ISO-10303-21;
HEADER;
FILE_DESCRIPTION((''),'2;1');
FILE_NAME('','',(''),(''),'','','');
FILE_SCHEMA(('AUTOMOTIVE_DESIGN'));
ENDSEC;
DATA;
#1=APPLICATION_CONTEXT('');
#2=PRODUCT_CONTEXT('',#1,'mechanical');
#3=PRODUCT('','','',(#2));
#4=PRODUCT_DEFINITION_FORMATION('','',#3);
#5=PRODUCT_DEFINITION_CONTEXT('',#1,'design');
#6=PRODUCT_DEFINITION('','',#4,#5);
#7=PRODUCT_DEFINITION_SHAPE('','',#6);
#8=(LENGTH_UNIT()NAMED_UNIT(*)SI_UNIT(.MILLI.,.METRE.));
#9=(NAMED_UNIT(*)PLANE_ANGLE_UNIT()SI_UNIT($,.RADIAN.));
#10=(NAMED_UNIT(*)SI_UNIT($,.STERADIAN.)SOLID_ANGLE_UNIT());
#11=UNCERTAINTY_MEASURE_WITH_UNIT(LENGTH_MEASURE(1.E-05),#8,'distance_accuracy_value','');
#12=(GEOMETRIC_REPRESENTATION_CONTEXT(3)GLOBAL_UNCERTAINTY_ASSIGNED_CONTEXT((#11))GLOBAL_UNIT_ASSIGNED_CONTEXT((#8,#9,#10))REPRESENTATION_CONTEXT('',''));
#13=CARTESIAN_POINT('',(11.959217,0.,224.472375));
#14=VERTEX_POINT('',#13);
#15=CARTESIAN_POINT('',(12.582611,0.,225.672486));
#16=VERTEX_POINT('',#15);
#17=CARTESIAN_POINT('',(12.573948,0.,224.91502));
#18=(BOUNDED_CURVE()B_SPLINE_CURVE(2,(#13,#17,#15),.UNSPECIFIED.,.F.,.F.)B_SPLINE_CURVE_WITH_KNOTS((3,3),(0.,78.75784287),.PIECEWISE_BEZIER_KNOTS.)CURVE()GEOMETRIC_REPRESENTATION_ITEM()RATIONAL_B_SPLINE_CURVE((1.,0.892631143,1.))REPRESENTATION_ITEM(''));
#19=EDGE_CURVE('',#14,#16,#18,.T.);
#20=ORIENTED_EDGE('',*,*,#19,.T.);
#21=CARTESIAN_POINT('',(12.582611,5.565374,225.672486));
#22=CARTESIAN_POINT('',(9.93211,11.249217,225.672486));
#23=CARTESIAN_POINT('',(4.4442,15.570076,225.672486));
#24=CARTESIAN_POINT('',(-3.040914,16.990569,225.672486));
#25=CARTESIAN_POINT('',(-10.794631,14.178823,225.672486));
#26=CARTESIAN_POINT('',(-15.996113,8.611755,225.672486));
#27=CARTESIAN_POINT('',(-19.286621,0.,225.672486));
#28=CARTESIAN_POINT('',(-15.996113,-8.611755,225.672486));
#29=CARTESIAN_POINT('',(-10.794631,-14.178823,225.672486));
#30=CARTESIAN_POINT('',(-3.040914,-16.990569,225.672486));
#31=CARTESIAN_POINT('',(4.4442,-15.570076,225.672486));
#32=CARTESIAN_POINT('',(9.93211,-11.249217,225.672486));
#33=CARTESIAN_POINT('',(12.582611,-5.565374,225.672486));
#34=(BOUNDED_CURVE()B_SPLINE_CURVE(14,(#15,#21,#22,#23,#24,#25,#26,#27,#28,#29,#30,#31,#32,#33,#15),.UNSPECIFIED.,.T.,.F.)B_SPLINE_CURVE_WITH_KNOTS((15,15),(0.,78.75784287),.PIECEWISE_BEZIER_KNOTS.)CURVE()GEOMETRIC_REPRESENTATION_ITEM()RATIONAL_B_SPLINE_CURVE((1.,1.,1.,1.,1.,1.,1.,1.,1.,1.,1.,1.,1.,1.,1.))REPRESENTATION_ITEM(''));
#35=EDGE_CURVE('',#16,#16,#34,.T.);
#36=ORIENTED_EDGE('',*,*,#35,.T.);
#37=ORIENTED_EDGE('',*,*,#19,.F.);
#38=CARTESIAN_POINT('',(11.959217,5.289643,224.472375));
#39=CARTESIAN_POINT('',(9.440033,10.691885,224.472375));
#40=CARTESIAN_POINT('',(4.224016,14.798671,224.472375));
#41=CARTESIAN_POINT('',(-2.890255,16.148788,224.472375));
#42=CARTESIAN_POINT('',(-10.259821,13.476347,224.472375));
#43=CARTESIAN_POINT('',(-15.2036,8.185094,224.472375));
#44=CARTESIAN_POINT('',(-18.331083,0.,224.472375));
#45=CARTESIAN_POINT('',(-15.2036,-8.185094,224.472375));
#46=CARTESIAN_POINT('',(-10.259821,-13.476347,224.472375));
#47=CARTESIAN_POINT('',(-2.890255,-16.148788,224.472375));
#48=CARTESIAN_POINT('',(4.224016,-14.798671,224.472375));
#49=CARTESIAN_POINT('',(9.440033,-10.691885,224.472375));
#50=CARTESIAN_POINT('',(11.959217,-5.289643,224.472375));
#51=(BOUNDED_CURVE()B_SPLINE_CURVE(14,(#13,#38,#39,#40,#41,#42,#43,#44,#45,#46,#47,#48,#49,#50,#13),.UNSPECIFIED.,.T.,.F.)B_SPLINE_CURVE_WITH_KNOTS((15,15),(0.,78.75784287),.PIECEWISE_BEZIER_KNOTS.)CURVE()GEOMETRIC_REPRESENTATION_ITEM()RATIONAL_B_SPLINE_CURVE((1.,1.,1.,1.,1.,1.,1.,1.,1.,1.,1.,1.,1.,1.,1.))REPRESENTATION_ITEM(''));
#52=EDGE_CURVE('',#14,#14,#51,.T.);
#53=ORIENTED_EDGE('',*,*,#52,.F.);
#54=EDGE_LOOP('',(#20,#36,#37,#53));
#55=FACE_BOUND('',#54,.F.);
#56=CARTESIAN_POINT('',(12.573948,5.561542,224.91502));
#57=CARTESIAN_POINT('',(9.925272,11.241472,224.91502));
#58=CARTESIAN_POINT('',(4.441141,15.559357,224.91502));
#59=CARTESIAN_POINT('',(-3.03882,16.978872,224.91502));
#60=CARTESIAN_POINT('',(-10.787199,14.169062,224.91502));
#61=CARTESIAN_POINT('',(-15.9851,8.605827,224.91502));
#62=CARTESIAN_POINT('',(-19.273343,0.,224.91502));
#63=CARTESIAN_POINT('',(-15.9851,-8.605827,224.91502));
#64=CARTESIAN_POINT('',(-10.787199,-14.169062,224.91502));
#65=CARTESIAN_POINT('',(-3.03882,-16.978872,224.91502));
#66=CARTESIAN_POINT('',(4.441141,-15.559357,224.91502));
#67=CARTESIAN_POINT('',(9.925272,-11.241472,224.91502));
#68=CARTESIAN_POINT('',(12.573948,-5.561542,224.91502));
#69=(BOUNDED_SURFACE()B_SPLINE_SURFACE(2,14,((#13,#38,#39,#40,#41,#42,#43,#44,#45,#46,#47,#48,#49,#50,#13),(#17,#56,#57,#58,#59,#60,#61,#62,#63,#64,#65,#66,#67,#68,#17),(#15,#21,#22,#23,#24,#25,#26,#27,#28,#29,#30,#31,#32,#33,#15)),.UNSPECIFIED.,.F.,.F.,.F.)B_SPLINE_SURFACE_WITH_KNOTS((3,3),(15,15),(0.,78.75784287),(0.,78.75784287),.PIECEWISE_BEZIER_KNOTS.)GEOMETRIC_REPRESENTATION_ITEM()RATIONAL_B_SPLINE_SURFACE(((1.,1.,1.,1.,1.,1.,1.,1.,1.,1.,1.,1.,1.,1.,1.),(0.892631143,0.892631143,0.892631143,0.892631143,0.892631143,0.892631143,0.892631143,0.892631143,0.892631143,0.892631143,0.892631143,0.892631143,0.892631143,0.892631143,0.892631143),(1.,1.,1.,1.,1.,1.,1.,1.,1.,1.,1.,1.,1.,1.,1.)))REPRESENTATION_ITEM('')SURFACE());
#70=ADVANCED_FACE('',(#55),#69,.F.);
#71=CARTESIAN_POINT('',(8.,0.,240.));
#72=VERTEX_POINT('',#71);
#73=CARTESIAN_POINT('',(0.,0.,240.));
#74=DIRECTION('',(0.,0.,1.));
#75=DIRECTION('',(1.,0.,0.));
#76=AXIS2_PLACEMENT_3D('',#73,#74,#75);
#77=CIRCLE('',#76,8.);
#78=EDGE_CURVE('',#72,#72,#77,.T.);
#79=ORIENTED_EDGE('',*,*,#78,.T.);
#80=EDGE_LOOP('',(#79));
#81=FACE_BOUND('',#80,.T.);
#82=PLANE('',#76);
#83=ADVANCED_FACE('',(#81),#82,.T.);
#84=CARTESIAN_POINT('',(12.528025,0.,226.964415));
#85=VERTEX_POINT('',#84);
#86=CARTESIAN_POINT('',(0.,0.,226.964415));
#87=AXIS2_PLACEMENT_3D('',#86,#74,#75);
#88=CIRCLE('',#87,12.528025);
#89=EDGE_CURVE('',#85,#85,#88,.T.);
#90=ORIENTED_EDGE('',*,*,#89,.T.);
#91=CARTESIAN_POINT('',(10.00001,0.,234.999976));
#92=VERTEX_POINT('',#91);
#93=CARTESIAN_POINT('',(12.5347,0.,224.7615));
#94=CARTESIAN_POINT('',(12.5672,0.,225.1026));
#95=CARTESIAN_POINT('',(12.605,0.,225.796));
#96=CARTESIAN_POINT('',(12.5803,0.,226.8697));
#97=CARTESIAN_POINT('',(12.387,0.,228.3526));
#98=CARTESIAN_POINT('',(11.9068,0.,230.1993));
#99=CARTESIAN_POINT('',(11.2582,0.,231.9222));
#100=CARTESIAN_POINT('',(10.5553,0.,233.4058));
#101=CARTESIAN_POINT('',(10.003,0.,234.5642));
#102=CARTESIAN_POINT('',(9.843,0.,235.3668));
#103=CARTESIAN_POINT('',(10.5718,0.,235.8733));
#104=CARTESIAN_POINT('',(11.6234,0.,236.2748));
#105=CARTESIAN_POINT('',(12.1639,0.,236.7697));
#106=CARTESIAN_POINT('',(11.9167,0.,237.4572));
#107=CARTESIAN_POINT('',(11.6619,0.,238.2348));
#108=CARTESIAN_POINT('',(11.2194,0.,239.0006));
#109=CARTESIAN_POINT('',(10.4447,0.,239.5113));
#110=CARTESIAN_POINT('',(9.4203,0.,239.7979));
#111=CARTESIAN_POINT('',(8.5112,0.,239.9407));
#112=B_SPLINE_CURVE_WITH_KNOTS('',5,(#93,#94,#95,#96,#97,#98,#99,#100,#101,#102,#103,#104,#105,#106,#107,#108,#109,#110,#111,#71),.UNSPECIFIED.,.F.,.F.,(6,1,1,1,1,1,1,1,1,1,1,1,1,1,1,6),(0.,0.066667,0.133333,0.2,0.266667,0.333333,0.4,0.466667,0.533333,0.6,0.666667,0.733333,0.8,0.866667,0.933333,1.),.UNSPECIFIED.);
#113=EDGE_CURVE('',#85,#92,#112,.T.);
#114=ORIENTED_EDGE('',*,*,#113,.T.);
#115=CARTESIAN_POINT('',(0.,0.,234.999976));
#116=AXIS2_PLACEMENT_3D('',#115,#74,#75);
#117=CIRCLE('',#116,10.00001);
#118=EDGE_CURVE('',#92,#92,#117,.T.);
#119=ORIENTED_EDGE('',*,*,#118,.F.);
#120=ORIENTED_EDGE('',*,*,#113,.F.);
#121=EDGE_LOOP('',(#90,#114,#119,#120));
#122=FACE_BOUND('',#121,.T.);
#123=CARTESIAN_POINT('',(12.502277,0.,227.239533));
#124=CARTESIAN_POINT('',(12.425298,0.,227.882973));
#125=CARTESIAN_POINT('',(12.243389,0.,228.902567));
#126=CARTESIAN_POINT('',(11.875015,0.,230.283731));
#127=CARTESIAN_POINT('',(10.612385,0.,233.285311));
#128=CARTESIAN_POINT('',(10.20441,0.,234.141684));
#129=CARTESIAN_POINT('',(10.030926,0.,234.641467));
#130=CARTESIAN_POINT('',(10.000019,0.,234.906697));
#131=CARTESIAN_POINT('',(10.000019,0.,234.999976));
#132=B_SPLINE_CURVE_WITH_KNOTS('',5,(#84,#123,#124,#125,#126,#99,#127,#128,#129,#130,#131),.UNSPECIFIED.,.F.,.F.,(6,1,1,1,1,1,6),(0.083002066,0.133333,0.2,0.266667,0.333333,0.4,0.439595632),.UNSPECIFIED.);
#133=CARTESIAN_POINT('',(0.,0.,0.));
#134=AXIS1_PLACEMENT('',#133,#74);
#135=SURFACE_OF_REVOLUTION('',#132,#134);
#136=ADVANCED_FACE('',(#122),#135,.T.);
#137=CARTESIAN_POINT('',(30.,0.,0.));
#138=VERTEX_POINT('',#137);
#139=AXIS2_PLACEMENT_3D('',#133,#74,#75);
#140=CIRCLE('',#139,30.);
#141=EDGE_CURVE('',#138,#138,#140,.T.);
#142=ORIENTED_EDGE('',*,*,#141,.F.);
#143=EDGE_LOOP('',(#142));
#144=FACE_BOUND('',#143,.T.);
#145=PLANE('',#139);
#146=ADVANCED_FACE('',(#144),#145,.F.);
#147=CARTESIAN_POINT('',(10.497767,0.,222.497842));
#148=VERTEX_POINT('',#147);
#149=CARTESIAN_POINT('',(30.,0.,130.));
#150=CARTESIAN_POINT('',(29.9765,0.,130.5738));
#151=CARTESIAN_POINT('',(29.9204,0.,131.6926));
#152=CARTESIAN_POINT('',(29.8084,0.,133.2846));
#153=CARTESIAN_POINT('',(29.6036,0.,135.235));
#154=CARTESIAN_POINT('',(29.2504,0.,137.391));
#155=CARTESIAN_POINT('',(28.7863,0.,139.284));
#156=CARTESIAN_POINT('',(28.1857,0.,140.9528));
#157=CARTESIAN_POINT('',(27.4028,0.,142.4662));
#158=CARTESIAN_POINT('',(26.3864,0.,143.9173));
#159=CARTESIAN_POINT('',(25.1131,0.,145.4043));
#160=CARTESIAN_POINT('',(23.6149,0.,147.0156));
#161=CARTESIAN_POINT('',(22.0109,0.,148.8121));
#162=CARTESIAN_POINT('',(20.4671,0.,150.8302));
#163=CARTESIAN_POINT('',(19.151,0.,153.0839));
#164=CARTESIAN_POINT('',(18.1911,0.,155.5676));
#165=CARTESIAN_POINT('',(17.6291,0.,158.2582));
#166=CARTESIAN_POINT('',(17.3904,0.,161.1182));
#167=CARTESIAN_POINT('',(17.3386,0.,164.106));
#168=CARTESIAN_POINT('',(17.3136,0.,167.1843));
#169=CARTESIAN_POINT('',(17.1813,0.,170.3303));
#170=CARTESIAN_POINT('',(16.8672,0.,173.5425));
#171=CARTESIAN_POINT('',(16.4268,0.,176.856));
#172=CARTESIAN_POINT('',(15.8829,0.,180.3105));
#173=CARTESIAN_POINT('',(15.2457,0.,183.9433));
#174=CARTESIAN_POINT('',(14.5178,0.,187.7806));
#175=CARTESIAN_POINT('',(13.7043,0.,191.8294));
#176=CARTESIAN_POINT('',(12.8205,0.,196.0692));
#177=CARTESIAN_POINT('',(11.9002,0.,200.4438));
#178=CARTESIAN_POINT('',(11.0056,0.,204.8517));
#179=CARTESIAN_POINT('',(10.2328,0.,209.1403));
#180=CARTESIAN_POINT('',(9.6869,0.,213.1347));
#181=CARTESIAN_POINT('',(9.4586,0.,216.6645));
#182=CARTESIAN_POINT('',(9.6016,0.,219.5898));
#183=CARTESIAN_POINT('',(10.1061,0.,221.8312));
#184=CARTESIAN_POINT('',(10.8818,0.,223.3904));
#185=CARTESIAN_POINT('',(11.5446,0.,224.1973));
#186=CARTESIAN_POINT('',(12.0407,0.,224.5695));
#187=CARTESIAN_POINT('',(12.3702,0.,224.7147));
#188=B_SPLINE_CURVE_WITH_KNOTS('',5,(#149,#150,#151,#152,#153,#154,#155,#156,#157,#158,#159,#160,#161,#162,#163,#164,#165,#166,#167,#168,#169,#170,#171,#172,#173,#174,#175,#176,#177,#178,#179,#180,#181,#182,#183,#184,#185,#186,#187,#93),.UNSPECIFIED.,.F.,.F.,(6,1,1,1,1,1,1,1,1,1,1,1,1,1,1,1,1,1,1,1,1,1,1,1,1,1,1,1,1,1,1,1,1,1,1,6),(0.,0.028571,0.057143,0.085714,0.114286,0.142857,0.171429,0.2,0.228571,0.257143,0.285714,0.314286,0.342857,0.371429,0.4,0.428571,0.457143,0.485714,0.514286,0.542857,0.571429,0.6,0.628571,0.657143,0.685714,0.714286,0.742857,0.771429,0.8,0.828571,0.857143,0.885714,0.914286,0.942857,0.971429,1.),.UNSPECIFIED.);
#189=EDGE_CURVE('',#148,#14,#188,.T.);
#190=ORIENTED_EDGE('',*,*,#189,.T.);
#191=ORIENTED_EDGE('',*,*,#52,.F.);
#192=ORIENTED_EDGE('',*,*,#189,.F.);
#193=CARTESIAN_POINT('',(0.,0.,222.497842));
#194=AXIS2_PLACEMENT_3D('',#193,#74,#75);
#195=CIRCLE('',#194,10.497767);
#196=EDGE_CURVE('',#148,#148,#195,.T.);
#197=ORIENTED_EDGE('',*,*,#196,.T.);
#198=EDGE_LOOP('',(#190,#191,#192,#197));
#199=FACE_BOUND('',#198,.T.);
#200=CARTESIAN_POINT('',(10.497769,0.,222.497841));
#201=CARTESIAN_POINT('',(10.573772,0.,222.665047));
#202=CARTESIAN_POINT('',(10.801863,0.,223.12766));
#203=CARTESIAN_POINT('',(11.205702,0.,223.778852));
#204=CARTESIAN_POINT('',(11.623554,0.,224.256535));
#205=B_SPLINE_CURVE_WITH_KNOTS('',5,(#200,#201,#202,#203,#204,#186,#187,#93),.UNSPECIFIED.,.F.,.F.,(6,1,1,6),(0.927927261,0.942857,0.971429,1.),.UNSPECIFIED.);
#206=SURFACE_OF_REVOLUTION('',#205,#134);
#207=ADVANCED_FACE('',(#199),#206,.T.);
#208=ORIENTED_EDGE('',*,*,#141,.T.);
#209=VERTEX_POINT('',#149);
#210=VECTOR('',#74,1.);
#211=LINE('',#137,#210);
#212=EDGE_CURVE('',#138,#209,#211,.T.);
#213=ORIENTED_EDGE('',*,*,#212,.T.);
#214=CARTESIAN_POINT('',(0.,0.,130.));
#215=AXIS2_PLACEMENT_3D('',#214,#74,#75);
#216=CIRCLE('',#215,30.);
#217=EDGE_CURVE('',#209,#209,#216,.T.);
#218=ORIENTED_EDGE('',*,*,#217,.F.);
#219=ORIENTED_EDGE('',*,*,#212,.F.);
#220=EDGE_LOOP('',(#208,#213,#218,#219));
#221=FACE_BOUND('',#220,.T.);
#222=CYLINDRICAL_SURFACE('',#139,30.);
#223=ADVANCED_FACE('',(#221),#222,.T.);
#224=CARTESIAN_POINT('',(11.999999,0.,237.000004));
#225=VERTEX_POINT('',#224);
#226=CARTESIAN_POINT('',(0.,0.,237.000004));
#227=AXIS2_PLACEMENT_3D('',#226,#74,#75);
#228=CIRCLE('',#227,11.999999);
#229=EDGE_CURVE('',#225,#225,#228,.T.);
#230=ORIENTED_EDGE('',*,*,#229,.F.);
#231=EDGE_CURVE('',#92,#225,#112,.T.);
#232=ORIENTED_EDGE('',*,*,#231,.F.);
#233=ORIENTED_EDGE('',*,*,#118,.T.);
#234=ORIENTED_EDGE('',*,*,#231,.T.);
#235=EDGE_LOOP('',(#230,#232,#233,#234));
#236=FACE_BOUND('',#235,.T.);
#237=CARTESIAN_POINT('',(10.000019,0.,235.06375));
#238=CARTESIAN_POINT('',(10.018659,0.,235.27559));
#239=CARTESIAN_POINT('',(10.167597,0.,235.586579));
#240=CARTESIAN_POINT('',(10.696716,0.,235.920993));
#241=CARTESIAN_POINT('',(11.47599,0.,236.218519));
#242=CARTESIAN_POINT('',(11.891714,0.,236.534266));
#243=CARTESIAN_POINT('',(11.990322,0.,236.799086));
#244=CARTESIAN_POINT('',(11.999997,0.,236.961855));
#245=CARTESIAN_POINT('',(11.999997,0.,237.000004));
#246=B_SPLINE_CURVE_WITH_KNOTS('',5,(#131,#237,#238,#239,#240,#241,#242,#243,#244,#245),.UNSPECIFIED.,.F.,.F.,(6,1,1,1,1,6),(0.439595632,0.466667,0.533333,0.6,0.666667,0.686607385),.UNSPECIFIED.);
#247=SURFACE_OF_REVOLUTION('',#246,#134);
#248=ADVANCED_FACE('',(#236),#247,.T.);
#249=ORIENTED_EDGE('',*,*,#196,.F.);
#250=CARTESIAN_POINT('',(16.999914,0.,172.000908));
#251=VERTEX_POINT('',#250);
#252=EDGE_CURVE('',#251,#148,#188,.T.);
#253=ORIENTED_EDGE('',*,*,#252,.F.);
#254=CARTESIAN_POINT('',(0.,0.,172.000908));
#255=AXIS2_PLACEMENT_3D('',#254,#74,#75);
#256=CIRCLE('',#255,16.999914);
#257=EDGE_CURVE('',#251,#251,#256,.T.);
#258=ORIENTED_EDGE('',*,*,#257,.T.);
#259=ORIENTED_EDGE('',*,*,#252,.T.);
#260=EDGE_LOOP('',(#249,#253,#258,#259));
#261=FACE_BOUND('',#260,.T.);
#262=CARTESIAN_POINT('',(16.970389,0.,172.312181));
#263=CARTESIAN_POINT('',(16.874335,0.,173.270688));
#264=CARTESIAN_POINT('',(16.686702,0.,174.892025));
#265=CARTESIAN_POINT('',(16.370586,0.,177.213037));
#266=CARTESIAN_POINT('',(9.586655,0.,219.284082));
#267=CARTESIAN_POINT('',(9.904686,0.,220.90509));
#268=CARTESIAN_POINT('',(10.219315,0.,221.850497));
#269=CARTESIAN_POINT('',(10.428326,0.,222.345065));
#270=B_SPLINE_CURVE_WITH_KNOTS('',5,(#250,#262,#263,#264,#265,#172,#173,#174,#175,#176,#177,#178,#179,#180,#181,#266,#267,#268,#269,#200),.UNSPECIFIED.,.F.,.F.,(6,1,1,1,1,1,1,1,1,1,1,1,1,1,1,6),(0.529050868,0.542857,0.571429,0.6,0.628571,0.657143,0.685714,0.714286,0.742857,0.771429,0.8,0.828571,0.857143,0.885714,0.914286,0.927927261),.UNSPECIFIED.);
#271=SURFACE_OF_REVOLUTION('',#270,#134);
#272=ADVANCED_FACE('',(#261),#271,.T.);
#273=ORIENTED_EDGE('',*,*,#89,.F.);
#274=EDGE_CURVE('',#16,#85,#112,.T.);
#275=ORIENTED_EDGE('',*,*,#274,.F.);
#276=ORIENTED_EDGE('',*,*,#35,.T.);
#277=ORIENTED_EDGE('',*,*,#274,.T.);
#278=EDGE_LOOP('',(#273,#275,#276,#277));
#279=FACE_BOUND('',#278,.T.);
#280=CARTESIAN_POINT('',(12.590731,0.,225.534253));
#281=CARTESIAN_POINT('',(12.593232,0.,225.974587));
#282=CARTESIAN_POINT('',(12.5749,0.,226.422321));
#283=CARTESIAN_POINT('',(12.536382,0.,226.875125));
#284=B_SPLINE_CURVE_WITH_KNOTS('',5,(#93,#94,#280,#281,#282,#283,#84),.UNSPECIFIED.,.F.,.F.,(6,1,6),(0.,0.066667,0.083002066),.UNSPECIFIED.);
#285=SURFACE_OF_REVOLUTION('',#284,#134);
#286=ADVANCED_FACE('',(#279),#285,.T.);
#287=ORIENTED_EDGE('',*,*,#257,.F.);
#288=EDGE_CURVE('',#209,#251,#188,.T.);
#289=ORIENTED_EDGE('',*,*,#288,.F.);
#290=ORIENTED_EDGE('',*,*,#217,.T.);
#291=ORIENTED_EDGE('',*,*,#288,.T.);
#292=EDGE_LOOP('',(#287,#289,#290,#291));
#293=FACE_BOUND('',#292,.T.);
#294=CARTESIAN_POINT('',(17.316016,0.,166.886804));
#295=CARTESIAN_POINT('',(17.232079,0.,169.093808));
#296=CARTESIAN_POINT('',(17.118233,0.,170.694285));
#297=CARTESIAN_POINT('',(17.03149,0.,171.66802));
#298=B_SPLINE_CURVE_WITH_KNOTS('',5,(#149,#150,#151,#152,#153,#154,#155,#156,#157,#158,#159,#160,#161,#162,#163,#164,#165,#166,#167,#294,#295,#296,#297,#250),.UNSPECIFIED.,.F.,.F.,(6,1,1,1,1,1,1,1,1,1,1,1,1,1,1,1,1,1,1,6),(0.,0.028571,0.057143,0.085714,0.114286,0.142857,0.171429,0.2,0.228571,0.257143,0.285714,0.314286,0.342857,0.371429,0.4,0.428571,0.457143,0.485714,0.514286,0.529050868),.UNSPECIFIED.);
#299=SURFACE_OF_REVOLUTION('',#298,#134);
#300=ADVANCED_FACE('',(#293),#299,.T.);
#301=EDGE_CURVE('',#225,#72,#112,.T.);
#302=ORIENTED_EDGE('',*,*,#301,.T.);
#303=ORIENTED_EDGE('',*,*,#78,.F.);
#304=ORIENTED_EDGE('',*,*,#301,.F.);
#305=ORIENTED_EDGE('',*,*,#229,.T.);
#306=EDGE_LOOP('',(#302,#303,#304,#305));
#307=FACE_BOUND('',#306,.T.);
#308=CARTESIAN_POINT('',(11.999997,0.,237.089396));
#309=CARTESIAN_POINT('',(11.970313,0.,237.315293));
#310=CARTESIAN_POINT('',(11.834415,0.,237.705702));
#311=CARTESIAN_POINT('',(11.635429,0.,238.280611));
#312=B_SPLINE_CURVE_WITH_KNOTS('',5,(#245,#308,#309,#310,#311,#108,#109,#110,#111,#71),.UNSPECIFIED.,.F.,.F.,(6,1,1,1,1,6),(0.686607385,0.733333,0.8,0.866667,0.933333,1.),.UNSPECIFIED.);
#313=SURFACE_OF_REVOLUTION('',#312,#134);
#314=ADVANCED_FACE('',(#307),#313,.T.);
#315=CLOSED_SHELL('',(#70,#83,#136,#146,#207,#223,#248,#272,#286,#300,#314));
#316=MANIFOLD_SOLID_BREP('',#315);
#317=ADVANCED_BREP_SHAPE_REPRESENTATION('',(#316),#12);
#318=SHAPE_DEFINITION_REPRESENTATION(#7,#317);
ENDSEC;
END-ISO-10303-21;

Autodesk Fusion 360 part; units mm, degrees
sketch "Sketch1" plane through (0, 0, 0) normal (0, 1, 0) x (1, 0, 0)
  line L0 (0, 0) -> (0, -240)
  line L1 (0, 0) -> (30, 0)
  line L2 (30, 0) -> (30, -130)
  spline S0 degree 5 poles (30, -130) (29.9765, -130.5738) (29.9204, -131.6926) (29.8084, -133.2846) (29.6036, -135.235) (29.2504, -137.391) (28.7863, -139.284) (28.1857, -140.9528) (27.4028, -142.4662) (26.3864, -143.9173) (25.1131, -145.4043) (23.6149, -147.0156) (22.0109, -148.8121) (20.4671, -150.8302) (19.151, -153.0839) (18.1911, -155.5676) (17.6291, -158.2582) (17.3904, -161.1182) (17.3386, -164.106) (17.3136, -167.1843) (17.1813, -170.3303) (16.8672, -173.5425) (16.4268, -176.856) (15.8829, -180.3105) (15.2457, -183.9433) (14.5178, -187.7806) (13.7043, -191.8294) (12.8205, -196.0692) (11.9002, -200.4438) (11.0056, -204.8517) (10.2328, -209.1403) (9.6869, -213.1347) (9.4586, -216.6645) (9.6016, -219.5898) (10.1061, -221.8312) (10.8818, -223.3904) (11.5446, -224.1973) (12.0407, -224.5695) (12.3702, -224.7147) (12.5347, -224.7615) knots 0 0 0 0 0 0 0.028571 0.057143 0.085714 0.114286 0.142857 0.171429 0.2 0.228571 0.257143 0.285714 0.314286 0.342857 0.371429 0.4 0.428571 0.457143 0.485714 0.514286 0.542857 0.571429 0.6 0.628571 0.657143 0.685714 0.714286 0.742857 0.771429 0.8 0.828571 0.857143 0.885714 0.914286 0.942857 0.971429 1 1 1 1 1 1
  spline S1 degree 5 poles (12.5347, -224.7615) (12.5672, -225.1026) (12.605, -225.796) (12.5803, -226.8697) (12.387, -228.3526) (11.9068, -230.1993) (11.2582, -231.9222) (10.5553, -233.4058) (10.003, -234.5642) (9.843, -235.3668) (10.5718, -235.8733) (11.6234, -236.2748) (12.1639, -236.7697) (11.9167, -237.4572) (11.6619, -238.2348) (11.2194, -239.0006) (10.4447, -239.5113) (9.4203, -239.7979) (8.5112, -239.9407) (8, -240) knots 0 0 0 0 0 0 0.066667 0.133333 0.2 0.266667 0.333333 0.4 0.466667 0.533333 0.6 0.666667 0.733333 0.8 0.866667 0.933333 1 1 1 1 1 1
  line L3 (17.898, -162.5327) -> (16.102, -181.4673)
  line L4 (7.9977, -216.9977) -> (12.9977, -227.9977)
  line L5 (12.3644, -222.9737) -> (12.7049, -226.5494)
  line L6 (10, -234) -> (10, -236)
  line L7 (12, -236) -> (12, -238)
  line L8 (11.8794, -239.5497) -> (4.1206, -240.4503)
  line L9 (8, -240) -> (0, -240)
  point P0 (28.5, -140)
  point P1 (25, -145.5)
  point P2 (18.454, -155.0935)
  point P3 (17, -172)
  point P4 (12, -200)
  point P5 (10.4977, -222.4977)
  point P6 (10, -235)
  point P7 (12, -237)
  dimension "d1" = 240
  dimension "d2" = 30
  dimension "d3" = 90
  dimension "d4" = 130
sketch "Sketch2" plane through (0, 0, 0) normal (0, 1, 0) x (1, 0, 0)
revolve "Revolve1" add sketch "Sketch1" angle 360 about axis through (0, 0, 0) along (0, 0, 1)
fillet "Fillet1" radius 1.5 1 edges at (-11.6864, -4.5327, 224.7615)
shell "Shell1" thickness 0.75 removed faces 1 at (-2.2732, -5.7921, 240)
